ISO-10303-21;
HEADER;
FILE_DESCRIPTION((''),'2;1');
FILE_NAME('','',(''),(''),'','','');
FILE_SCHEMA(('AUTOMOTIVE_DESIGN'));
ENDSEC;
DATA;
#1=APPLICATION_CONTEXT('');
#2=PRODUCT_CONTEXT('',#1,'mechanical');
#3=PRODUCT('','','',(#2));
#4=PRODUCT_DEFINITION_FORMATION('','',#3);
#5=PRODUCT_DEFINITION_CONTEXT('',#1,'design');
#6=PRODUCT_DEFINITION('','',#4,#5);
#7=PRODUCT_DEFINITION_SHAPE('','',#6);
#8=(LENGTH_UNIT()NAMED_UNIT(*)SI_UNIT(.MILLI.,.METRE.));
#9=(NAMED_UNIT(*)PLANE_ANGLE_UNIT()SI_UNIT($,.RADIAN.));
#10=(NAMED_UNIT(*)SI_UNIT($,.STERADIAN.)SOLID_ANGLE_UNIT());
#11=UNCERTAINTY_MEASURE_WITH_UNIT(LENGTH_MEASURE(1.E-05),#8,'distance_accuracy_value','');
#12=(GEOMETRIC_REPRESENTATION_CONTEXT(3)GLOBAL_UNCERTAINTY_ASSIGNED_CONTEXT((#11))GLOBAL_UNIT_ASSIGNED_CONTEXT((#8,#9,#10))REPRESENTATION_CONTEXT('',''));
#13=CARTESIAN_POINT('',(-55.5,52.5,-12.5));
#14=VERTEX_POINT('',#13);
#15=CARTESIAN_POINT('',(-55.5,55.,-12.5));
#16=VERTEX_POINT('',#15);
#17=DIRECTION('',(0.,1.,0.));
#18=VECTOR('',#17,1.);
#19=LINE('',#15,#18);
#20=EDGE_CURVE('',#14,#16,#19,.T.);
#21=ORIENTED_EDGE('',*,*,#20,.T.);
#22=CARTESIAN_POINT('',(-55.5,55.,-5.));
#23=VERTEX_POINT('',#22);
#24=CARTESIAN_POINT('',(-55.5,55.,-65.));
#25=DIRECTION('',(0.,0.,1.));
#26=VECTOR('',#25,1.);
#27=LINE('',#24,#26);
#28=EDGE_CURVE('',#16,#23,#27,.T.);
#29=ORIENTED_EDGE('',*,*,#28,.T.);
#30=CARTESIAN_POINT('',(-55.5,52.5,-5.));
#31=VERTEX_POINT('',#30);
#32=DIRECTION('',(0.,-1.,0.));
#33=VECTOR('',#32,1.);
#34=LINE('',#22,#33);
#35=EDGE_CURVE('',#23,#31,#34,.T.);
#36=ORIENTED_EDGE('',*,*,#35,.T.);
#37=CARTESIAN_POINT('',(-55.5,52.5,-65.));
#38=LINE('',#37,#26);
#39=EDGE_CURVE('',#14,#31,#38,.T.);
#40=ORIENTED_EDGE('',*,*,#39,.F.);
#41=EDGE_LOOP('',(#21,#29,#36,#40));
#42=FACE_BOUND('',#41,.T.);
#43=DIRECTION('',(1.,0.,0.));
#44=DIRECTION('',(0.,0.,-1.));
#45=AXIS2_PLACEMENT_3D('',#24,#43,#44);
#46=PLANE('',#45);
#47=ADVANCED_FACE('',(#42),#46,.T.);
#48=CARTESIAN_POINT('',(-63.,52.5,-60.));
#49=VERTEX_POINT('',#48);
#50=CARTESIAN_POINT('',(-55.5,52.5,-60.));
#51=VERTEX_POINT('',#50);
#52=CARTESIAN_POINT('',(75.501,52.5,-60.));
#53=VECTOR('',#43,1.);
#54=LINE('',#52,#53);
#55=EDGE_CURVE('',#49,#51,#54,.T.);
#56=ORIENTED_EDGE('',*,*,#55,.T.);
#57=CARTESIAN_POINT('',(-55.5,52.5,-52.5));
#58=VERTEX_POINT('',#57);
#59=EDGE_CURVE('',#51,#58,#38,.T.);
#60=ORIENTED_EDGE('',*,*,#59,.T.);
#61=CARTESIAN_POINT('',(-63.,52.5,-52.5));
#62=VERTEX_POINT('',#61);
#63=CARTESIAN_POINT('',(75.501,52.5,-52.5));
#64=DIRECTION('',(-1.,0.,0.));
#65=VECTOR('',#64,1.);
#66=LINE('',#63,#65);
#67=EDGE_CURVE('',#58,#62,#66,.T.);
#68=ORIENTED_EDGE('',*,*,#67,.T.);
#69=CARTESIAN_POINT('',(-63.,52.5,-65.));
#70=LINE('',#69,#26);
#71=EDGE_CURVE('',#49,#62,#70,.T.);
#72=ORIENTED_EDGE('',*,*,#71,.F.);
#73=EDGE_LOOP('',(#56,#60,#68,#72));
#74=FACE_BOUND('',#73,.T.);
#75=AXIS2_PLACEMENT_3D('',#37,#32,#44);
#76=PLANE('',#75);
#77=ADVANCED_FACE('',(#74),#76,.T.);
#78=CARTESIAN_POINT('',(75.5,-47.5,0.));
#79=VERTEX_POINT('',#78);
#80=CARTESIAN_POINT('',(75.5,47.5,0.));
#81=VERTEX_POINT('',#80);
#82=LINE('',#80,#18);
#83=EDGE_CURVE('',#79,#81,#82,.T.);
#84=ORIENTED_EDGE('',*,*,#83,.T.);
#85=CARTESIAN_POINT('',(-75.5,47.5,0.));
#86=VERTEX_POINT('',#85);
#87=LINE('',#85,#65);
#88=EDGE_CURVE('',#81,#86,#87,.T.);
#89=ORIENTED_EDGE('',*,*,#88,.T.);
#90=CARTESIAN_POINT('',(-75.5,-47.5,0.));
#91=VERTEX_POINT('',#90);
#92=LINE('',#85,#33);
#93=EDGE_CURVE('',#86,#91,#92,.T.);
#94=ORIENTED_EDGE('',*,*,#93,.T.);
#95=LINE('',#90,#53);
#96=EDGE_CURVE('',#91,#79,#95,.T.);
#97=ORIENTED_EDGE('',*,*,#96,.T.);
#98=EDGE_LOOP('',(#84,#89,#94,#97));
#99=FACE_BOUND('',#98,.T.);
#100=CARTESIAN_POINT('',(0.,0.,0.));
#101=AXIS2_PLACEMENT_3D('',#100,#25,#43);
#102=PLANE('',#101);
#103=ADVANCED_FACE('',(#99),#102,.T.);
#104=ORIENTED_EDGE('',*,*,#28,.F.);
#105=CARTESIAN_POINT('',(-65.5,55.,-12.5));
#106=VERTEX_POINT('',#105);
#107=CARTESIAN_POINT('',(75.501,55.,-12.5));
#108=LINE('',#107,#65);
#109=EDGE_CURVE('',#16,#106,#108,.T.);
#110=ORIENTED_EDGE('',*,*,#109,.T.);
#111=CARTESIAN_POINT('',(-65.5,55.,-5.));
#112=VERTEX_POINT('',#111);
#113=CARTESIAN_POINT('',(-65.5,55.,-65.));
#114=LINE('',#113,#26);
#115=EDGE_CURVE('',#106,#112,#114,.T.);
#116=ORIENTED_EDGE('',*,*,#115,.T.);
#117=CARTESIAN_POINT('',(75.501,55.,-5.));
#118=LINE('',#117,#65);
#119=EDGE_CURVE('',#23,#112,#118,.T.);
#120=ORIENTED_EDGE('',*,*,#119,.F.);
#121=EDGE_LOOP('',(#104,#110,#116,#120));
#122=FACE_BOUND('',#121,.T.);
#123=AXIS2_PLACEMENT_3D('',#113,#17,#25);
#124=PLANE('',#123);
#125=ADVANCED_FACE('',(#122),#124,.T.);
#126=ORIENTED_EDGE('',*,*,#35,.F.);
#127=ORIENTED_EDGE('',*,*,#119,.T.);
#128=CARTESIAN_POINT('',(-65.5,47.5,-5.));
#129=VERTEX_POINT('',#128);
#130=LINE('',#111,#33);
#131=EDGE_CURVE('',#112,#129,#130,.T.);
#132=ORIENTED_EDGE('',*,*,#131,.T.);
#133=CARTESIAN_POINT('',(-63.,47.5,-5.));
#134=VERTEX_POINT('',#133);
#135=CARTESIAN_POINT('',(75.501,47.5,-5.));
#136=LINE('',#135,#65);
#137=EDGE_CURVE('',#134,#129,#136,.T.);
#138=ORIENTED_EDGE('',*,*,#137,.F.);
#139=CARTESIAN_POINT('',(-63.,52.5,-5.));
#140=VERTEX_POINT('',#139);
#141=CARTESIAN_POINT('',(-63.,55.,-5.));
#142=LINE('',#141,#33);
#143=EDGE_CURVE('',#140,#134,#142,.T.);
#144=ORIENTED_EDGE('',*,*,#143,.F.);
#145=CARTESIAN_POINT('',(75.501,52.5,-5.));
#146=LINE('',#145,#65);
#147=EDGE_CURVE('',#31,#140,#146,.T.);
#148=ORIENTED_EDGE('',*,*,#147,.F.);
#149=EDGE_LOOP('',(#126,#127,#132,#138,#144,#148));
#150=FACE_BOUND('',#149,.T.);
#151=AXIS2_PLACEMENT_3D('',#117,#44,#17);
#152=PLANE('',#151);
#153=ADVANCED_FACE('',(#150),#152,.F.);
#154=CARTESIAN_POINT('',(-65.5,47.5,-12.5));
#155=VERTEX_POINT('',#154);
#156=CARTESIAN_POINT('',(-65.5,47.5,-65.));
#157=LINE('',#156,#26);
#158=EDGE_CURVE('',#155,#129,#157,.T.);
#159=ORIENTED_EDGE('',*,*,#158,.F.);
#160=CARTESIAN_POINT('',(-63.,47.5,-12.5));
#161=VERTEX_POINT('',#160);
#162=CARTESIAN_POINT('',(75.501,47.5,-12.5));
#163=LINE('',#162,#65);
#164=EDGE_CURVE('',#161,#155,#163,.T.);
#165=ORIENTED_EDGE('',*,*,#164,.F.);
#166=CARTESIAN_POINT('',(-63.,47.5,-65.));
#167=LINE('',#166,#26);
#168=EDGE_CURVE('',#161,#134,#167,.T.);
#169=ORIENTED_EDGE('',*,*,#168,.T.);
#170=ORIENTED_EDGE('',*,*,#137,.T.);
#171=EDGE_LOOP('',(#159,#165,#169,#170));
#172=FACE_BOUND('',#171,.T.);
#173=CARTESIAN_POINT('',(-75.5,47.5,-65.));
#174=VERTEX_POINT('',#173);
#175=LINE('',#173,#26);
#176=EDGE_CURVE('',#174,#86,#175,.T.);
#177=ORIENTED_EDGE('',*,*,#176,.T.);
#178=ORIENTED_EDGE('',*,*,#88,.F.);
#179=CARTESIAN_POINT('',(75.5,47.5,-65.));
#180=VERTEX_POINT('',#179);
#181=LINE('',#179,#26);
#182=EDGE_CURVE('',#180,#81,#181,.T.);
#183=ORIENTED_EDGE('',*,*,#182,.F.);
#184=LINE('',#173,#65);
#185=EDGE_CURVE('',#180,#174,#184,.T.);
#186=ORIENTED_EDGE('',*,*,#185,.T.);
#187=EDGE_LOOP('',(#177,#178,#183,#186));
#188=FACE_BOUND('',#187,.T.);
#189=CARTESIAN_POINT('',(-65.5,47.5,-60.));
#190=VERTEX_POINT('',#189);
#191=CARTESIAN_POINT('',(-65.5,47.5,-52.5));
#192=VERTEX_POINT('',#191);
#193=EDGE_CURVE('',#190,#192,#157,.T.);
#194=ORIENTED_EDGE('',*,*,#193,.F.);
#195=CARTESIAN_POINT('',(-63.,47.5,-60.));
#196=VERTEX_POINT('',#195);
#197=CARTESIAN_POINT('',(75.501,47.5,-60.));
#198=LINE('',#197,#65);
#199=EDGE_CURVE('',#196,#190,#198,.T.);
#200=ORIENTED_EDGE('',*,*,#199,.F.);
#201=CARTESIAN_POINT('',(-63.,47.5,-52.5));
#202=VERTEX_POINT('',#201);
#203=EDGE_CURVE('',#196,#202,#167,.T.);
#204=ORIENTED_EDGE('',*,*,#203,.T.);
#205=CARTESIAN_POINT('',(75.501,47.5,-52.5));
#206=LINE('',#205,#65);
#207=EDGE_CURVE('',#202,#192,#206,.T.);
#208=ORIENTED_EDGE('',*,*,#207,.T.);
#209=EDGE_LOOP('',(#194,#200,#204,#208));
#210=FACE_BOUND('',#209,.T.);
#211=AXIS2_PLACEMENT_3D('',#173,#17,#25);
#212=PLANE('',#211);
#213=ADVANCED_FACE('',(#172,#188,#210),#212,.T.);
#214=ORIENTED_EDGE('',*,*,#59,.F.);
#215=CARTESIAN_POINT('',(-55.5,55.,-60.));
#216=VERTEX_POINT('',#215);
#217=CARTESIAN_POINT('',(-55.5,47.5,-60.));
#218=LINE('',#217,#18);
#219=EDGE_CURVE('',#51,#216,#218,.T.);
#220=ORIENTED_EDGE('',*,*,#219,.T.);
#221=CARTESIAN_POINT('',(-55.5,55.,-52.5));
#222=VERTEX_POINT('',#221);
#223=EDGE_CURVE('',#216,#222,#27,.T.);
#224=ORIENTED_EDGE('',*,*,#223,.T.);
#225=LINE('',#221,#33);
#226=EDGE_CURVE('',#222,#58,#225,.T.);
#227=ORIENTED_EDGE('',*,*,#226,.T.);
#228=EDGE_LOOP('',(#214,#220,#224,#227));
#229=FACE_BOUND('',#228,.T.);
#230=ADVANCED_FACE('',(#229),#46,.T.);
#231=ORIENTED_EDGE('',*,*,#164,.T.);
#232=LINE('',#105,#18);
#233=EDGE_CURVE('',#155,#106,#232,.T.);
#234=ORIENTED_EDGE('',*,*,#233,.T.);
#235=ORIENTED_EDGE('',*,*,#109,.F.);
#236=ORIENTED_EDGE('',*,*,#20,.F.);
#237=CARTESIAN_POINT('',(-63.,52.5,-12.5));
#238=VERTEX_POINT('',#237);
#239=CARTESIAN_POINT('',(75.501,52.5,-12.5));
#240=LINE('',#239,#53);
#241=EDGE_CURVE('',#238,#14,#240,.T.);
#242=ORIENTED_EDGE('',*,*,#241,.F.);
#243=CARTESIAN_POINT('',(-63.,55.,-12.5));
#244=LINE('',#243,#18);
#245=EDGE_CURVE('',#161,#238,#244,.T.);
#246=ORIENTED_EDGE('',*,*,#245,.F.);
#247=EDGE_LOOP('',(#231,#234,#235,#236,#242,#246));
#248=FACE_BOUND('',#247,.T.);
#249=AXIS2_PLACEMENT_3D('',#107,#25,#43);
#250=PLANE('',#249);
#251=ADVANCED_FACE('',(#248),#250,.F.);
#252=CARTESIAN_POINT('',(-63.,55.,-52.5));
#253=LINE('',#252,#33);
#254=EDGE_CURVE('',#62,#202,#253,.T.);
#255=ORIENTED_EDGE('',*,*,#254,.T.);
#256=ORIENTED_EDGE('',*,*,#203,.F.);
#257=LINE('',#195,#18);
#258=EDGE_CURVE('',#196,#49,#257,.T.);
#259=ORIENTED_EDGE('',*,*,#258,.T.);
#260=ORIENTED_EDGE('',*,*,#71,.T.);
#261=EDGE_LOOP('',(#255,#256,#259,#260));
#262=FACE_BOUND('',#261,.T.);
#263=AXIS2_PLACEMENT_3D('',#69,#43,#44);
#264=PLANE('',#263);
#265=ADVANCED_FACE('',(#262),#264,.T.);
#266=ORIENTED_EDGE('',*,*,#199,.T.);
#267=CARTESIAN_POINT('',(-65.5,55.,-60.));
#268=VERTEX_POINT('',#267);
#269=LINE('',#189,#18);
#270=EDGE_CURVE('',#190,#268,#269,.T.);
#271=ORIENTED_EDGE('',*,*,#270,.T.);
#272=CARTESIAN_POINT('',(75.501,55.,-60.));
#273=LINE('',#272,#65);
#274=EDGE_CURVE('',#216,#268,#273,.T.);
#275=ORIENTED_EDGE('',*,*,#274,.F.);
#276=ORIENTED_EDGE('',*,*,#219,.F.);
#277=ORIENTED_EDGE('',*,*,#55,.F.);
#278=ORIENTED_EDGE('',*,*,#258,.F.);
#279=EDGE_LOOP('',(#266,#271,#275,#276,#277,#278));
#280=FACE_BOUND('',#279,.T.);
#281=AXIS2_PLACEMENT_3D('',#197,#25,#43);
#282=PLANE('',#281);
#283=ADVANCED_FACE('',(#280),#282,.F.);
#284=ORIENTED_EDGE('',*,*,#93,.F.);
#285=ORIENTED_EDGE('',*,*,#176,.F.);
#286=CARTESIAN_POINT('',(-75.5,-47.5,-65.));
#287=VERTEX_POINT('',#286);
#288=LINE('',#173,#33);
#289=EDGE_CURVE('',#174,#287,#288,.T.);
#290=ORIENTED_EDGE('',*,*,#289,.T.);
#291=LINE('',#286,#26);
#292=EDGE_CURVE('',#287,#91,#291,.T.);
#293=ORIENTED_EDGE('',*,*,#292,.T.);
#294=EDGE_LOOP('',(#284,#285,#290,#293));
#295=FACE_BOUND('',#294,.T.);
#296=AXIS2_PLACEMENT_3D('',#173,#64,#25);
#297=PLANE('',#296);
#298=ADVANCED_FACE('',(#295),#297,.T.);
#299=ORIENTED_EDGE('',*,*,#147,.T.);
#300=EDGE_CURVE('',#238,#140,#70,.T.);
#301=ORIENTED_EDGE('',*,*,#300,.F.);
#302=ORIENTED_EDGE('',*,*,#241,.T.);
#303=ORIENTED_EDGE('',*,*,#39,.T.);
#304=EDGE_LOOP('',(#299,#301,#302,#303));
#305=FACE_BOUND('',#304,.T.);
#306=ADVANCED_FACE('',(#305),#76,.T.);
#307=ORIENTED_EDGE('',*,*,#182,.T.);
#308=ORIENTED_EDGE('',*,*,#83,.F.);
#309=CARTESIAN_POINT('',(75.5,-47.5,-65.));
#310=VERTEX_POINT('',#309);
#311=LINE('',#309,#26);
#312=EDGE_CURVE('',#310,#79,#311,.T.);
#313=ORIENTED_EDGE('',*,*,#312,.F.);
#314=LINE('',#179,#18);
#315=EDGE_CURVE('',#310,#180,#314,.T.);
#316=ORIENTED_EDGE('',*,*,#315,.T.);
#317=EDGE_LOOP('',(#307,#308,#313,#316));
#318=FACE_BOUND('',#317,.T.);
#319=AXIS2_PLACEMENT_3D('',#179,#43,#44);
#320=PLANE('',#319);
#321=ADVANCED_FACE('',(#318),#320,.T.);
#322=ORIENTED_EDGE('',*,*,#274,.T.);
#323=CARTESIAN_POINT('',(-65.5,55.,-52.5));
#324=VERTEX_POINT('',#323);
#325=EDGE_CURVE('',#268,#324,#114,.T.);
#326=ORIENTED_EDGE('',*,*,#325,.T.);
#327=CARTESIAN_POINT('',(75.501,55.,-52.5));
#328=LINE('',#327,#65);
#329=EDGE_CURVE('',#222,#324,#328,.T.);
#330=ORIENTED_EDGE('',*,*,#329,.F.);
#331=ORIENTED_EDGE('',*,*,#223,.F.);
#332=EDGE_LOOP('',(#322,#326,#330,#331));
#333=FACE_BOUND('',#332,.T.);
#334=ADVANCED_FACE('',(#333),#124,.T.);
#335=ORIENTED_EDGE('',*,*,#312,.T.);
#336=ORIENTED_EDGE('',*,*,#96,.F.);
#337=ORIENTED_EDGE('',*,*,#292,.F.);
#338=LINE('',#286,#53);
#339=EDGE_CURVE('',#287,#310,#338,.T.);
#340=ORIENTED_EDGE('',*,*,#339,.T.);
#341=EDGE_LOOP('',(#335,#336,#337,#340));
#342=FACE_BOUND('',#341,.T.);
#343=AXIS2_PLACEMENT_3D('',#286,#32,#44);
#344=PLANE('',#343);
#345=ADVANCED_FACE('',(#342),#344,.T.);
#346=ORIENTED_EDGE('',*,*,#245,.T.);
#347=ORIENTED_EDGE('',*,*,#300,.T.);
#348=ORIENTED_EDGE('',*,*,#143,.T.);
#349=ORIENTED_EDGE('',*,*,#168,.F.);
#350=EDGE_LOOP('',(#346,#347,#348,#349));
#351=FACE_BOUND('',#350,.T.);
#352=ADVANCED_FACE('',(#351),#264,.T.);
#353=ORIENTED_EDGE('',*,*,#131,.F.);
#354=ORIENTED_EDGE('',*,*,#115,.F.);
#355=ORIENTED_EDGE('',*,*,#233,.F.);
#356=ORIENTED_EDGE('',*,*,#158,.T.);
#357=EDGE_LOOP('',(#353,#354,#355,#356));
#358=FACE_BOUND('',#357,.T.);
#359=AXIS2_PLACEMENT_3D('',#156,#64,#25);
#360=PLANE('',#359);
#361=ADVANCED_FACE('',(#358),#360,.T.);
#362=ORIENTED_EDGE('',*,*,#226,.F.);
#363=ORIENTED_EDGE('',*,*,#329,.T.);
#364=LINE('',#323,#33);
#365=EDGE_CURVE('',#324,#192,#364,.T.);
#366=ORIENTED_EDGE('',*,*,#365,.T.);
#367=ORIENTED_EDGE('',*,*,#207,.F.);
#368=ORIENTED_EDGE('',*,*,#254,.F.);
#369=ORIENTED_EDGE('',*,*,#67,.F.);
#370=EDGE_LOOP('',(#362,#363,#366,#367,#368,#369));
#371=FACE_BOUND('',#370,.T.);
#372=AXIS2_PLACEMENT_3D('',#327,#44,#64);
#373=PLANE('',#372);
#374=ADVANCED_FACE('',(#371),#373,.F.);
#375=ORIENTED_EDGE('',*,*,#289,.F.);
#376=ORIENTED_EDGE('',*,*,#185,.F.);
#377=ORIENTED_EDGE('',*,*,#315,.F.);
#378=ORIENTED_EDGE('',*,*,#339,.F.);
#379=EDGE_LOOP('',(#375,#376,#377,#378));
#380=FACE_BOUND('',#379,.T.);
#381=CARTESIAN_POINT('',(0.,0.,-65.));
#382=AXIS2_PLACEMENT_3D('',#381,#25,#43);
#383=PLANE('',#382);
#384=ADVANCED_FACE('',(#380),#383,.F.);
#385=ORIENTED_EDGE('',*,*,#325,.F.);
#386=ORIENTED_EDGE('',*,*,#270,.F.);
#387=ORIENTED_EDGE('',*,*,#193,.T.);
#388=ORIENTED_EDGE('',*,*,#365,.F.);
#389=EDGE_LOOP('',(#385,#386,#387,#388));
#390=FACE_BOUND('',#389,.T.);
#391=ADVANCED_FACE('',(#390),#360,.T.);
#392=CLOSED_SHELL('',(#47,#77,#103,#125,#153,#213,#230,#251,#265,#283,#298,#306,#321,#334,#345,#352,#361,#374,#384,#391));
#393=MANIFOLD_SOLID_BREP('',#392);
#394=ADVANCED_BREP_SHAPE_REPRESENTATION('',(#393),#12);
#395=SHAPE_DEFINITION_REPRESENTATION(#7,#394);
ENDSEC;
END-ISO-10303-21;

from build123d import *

# Parameters (mm, degrees)
SKETCH1_W           = 151
SKETCH1_H           = 95
BOSS_EXTRUDE1_DEPTH = 65
BOSS_EXTRUDE2_DEPTH = 65
CUT_EXTRUDE1_REACH  = 143
SKETCH3_W           = 5
SKETCH3_H           = 7.5
SKETCH3_W_2         = 40


with BuildPart() as part:
    # Sketch1 → Boss-Extrude1 (new body)
    with BuildSketch(Plane.XY):
        Rectangle(SKETCH1_W, SKETCH1_H)
    extrude(amount=-BOSS_EXTRUDE1_DEPTH)

    # Sketch2 → Boss-Extrude2 (add)
    with BuildSketch(Plane.XY):
        Polygon((-65.5, 47.5), (-65.5, 55), (-55.5, 55), (-55.5, 52.5), (-63, 52.5), (-63, 47.5), align=None)
    extrude(amount=-BOSS_EXTRUDE2_DEPTH)

    # Sketch3 → Cut-Extrude1 (cut, up to next)
    with BuildSketch(Plane.ZY.offset(65.5), mode=Mode.PRIVATE) as cut_extrude1_sk1:
        with Locations((-62.5, 51.25)):
            Rectangle(SKETCH3_W, SKETCH3_H)
    cut_extrude1_tool1 = extrude(cut_extrude1_sk1.sketch, amount=-CUT_EXTRUDE1_REACH, mode=Mode.PRIVATE) & part.part
    add(cut_extrude1_tool1.solids().sort_by_distance((-65.5, 51.25, -62.5))[0], mode=Mode.SUBTRACT)
    # Sketch3 → Cut-Extrude1 (cut, up to next)
    with BuildSketch(Plane.ZY.offset(65.5), mode=Mode.PRIVATE) as cut_extrude1_sk2:
        with Locations((-32.5, 51.25)):
            Rectangle(SKETCH3_W_2, SKETCH3_H)
    cut_extrude1_tool2 = extrude(cut_extrude1_sk2.sketch, amount=-CUT_EXTRUDE1_REACH, mode=Mode.PRIVATE) & part.part
    add(cut_extrude1_tool2.solids().sort_by_distance((-65.5, 51.25, -32.5))[0], mode=Mode.SUBTRACT)
    # Sketch3 → Cut-Extrude1 (cut, up to next)
    with BuildSketch(Plane.ZY.offset(65.5), mode=Mode.PRIVATE) as cut_extrude1_sk3:
        with Locations((-2.5, 51.25)):
            Rectangle(SKETCH3_W, SKETCH3_H)
    cut_extrude1_tool3 = extrude(cut_extrude1_sk3.sketch, amount=-CUT_EXTRUDE1_REACH, mode=Mode.PRIVATE) & part.part
    add(cut_extrude1_tool3.solids().sort_by_distance((-65.5, 51.25, -2.5))[0], mode=Mode.SUBTRACT)


solid = part.part
